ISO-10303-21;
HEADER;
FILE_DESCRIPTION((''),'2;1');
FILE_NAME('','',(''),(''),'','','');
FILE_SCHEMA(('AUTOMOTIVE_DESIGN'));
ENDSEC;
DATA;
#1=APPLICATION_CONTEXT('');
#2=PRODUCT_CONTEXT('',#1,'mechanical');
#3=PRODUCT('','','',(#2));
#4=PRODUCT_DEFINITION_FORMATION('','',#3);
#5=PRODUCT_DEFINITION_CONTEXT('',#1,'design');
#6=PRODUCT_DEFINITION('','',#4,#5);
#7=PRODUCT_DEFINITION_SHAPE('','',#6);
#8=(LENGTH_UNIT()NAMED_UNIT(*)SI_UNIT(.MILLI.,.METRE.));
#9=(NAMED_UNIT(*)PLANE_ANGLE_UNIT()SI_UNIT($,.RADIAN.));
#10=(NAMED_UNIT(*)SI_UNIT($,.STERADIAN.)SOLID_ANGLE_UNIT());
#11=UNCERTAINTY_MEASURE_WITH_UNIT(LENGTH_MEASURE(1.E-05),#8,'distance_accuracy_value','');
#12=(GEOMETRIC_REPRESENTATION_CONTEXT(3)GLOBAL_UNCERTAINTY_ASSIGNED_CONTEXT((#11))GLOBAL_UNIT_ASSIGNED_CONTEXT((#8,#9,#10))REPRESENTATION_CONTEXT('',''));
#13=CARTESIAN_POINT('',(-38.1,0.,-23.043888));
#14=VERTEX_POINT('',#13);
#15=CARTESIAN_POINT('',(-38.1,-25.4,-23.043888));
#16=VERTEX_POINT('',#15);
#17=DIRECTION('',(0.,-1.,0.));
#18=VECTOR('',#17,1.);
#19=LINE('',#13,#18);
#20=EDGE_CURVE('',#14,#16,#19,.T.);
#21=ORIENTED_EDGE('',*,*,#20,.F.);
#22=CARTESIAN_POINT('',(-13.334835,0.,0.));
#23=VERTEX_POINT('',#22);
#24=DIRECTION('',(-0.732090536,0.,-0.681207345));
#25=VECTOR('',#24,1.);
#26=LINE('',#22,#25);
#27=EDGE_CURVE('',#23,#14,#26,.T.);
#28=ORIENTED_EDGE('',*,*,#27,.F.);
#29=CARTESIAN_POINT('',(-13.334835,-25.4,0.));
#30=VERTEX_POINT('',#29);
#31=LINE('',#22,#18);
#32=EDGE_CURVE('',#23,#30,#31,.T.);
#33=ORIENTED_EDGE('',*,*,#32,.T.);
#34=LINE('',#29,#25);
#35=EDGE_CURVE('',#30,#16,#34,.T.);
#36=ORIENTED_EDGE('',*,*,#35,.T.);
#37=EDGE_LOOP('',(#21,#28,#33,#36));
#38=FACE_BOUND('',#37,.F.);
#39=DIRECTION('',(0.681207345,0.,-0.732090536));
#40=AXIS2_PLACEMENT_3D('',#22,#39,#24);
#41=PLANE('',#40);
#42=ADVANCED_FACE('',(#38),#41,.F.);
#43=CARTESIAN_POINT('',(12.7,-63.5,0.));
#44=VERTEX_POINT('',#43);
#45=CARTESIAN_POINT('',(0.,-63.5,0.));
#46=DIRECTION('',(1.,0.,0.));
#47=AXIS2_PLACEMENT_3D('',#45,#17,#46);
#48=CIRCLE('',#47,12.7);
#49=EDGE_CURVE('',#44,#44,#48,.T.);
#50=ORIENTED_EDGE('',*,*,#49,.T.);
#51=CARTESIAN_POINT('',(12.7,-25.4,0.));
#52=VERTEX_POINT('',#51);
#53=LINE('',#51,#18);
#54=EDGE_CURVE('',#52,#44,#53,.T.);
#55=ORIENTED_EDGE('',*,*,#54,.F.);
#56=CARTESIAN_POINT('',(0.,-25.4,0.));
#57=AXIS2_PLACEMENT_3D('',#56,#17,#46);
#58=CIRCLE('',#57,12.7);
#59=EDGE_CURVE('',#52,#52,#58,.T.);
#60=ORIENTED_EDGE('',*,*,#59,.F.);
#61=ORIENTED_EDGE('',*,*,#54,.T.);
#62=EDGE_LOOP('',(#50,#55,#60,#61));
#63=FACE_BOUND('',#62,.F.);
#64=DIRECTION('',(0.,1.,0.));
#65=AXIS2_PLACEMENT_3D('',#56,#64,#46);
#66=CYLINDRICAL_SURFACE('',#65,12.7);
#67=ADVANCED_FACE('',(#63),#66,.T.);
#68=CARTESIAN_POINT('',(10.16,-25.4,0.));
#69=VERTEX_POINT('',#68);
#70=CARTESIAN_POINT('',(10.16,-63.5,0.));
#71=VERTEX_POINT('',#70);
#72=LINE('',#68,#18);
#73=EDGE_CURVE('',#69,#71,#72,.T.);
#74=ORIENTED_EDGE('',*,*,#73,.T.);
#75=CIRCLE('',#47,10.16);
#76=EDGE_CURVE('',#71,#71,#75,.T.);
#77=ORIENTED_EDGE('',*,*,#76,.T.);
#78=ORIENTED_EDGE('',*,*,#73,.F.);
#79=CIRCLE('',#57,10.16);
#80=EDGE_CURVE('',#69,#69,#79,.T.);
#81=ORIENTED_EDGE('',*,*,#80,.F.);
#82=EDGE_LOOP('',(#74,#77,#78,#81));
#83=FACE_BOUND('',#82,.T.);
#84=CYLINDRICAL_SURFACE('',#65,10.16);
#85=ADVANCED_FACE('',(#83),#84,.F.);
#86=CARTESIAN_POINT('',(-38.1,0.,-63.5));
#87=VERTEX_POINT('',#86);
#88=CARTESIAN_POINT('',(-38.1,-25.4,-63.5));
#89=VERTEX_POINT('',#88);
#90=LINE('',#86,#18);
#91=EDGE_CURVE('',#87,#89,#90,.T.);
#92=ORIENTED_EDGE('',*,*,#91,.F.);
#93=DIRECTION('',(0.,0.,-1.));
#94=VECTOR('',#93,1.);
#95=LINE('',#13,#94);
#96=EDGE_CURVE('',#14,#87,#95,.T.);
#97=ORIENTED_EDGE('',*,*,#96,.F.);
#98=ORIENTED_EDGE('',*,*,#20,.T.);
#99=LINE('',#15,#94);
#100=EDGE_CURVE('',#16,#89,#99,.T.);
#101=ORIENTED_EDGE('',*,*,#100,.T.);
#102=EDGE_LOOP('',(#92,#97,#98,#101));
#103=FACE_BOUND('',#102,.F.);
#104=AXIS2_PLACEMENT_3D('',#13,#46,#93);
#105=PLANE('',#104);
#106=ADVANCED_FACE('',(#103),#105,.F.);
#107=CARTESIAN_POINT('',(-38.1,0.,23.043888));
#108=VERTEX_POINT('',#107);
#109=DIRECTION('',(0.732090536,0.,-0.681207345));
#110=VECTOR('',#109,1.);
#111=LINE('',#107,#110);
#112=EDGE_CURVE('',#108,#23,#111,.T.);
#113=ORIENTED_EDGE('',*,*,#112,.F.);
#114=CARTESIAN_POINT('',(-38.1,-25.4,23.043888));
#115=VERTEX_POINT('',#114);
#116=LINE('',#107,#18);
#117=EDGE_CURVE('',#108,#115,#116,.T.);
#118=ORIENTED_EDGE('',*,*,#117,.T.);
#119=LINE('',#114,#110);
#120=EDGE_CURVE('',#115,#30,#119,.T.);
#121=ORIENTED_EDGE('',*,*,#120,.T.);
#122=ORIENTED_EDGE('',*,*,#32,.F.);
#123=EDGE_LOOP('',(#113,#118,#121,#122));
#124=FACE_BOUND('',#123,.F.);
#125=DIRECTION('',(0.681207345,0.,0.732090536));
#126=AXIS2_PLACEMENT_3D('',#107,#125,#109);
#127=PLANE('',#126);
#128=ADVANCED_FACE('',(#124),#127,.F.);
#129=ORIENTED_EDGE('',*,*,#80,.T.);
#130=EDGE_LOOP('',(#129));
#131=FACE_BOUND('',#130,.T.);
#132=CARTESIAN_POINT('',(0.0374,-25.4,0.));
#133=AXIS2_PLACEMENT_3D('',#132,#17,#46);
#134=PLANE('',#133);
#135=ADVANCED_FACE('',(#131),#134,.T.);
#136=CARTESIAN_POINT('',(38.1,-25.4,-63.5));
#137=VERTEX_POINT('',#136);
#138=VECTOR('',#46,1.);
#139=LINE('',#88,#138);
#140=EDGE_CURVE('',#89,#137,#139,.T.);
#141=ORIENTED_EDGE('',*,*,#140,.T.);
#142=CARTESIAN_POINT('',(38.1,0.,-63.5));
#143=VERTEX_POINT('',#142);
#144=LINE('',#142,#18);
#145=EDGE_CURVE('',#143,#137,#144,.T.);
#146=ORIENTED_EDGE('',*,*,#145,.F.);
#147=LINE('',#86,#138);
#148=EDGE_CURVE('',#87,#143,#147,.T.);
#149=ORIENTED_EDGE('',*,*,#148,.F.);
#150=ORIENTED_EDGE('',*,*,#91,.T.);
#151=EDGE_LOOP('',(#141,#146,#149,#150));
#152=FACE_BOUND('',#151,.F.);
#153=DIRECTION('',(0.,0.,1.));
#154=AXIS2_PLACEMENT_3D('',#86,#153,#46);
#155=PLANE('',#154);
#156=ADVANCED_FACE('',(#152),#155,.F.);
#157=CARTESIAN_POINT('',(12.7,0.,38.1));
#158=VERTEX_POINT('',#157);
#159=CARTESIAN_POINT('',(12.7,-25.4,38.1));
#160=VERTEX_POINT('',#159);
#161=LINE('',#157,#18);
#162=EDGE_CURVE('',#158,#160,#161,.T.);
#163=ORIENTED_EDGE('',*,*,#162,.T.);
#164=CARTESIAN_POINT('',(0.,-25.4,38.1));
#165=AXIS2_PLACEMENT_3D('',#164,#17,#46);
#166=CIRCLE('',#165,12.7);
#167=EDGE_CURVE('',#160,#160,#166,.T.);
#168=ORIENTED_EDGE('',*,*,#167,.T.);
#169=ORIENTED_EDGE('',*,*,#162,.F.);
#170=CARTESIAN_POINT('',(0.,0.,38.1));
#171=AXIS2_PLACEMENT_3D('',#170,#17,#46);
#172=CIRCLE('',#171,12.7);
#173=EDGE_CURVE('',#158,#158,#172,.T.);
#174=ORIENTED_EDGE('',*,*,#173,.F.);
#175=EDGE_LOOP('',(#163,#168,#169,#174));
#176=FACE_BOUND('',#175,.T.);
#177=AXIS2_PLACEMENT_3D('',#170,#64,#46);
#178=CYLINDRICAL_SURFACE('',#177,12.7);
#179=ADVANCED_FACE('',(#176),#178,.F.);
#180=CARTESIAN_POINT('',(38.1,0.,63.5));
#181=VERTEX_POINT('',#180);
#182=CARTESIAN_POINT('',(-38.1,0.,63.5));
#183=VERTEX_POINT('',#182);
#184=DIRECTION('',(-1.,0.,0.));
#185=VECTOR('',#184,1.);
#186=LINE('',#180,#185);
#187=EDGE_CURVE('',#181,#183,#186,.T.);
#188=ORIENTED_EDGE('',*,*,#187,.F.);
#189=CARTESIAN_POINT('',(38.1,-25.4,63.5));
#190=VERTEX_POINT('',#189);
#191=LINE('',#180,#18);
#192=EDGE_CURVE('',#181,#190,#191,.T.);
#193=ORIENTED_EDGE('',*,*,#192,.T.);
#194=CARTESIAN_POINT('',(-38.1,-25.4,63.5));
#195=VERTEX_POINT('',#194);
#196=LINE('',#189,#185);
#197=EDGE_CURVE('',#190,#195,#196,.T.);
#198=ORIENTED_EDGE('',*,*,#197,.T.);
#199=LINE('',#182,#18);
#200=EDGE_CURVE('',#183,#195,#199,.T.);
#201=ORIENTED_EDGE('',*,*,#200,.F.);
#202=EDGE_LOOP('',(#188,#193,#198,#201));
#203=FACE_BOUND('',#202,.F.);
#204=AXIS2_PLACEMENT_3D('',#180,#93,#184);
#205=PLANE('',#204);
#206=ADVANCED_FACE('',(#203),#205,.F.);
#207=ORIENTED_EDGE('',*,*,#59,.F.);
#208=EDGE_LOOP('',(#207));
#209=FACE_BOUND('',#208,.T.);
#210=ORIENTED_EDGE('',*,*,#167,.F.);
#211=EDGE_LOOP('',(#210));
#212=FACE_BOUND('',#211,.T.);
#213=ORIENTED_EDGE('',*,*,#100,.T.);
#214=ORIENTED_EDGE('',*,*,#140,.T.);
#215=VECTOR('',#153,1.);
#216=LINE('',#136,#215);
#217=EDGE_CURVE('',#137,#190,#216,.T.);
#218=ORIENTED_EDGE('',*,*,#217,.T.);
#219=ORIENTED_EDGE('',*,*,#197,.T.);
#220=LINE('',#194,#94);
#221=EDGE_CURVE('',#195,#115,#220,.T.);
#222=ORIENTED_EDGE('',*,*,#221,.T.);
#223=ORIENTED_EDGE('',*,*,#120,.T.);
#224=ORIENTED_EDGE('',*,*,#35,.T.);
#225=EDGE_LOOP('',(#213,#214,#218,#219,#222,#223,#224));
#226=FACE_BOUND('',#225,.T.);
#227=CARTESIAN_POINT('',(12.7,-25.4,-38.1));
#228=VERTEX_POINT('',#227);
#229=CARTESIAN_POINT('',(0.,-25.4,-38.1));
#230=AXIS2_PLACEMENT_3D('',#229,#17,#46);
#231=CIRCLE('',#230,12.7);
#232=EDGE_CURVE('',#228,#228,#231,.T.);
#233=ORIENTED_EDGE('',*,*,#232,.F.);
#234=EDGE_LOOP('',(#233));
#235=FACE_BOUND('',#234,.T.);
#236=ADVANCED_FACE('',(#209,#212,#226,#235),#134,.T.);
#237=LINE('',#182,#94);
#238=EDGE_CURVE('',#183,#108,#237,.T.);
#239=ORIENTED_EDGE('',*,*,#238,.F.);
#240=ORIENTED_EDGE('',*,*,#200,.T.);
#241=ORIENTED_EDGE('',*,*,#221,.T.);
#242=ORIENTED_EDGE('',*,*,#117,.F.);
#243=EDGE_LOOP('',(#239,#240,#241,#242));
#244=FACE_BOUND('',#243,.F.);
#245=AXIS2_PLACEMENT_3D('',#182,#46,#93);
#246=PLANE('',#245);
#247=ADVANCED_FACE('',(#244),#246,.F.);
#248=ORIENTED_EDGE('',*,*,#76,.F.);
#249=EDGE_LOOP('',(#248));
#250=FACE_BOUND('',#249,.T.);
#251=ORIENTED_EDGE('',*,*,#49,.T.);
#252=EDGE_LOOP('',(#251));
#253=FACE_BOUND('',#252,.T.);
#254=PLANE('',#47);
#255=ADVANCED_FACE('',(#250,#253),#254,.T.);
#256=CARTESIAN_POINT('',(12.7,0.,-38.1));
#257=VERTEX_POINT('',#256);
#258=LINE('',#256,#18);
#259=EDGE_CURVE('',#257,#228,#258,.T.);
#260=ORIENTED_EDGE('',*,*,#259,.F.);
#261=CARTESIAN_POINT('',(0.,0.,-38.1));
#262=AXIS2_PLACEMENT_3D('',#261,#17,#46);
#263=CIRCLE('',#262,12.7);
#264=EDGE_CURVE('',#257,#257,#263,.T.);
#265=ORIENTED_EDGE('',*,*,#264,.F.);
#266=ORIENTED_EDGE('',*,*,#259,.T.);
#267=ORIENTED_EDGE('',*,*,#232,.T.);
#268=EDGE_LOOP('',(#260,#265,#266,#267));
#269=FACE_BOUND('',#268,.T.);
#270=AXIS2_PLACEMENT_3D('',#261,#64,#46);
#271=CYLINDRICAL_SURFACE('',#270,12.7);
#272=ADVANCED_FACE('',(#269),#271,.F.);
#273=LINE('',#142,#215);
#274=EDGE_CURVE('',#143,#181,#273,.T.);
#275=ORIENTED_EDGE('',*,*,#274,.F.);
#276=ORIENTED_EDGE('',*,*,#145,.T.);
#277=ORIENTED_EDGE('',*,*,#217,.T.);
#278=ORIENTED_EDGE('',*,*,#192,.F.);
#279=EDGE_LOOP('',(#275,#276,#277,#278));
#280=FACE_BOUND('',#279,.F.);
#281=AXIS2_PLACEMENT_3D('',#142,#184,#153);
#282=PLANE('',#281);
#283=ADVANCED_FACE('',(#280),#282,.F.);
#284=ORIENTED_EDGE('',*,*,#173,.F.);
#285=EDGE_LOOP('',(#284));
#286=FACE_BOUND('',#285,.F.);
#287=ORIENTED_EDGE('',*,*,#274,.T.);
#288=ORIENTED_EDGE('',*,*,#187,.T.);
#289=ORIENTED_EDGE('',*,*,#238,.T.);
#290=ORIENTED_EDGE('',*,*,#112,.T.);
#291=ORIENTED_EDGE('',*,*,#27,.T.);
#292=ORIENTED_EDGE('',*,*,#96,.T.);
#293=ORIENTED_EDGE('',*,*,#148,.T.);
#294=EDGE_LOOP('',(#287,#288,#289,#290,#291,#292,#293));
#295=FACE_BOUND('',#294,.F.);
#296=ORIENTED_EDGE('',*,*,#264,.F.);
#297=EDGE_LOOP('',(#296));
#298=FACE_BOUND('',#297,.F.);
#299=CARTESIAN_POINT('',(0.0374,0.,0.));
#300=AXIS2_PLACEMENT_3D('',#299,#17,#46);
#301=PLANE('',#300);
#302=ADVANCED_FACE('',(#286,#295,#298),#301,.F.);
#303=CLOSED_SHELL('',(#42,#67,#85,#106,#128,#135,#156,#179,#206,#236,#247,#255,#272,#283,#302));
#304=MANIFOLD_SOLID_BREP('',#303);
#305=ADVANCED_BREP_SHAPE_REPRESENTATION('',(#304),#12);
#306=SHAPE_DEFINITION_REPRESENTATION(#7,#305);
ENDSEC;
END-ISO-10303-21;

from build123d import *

# Parameters (mm, degrees)
F0_R     = 12.7
F1_DEPTH = 25.4
F2_R     = 12.7
F2_R_2   = 10.16
F3_DEPTH = 38.1


with BuildPart() as f1:
    # F0 (on Front) → F1 (new body)
    with BuildSketch(Plane.XZ):
        Polygon((38.1, 63.5), (-38.1, 63.5), (-38.1, 23.043888), (-13.334835, 0), (-38.1, -23.043888), (-38.1, -63.5), (38.1, -63.5), align=None)
        with Locations((0, -38.1)):
            Circle(F0_R, mode=Mode.SUBTRACT)
        with Locations((0, 38.1)):
            Circle(F0_R, mode=Mode.SUBTRACT)
    extrude(amount=F1_DEPTH)

    # F2 (on face) → F3 (join)
    with BuildSketch(Plane.XZ.offset(25.4)):
        Circle(F2_R)
        Circle(F2_R_2, mode=Mode.SUBTRACT)
    extrude(amount=F3_DEPTH)


solid = f1.part
